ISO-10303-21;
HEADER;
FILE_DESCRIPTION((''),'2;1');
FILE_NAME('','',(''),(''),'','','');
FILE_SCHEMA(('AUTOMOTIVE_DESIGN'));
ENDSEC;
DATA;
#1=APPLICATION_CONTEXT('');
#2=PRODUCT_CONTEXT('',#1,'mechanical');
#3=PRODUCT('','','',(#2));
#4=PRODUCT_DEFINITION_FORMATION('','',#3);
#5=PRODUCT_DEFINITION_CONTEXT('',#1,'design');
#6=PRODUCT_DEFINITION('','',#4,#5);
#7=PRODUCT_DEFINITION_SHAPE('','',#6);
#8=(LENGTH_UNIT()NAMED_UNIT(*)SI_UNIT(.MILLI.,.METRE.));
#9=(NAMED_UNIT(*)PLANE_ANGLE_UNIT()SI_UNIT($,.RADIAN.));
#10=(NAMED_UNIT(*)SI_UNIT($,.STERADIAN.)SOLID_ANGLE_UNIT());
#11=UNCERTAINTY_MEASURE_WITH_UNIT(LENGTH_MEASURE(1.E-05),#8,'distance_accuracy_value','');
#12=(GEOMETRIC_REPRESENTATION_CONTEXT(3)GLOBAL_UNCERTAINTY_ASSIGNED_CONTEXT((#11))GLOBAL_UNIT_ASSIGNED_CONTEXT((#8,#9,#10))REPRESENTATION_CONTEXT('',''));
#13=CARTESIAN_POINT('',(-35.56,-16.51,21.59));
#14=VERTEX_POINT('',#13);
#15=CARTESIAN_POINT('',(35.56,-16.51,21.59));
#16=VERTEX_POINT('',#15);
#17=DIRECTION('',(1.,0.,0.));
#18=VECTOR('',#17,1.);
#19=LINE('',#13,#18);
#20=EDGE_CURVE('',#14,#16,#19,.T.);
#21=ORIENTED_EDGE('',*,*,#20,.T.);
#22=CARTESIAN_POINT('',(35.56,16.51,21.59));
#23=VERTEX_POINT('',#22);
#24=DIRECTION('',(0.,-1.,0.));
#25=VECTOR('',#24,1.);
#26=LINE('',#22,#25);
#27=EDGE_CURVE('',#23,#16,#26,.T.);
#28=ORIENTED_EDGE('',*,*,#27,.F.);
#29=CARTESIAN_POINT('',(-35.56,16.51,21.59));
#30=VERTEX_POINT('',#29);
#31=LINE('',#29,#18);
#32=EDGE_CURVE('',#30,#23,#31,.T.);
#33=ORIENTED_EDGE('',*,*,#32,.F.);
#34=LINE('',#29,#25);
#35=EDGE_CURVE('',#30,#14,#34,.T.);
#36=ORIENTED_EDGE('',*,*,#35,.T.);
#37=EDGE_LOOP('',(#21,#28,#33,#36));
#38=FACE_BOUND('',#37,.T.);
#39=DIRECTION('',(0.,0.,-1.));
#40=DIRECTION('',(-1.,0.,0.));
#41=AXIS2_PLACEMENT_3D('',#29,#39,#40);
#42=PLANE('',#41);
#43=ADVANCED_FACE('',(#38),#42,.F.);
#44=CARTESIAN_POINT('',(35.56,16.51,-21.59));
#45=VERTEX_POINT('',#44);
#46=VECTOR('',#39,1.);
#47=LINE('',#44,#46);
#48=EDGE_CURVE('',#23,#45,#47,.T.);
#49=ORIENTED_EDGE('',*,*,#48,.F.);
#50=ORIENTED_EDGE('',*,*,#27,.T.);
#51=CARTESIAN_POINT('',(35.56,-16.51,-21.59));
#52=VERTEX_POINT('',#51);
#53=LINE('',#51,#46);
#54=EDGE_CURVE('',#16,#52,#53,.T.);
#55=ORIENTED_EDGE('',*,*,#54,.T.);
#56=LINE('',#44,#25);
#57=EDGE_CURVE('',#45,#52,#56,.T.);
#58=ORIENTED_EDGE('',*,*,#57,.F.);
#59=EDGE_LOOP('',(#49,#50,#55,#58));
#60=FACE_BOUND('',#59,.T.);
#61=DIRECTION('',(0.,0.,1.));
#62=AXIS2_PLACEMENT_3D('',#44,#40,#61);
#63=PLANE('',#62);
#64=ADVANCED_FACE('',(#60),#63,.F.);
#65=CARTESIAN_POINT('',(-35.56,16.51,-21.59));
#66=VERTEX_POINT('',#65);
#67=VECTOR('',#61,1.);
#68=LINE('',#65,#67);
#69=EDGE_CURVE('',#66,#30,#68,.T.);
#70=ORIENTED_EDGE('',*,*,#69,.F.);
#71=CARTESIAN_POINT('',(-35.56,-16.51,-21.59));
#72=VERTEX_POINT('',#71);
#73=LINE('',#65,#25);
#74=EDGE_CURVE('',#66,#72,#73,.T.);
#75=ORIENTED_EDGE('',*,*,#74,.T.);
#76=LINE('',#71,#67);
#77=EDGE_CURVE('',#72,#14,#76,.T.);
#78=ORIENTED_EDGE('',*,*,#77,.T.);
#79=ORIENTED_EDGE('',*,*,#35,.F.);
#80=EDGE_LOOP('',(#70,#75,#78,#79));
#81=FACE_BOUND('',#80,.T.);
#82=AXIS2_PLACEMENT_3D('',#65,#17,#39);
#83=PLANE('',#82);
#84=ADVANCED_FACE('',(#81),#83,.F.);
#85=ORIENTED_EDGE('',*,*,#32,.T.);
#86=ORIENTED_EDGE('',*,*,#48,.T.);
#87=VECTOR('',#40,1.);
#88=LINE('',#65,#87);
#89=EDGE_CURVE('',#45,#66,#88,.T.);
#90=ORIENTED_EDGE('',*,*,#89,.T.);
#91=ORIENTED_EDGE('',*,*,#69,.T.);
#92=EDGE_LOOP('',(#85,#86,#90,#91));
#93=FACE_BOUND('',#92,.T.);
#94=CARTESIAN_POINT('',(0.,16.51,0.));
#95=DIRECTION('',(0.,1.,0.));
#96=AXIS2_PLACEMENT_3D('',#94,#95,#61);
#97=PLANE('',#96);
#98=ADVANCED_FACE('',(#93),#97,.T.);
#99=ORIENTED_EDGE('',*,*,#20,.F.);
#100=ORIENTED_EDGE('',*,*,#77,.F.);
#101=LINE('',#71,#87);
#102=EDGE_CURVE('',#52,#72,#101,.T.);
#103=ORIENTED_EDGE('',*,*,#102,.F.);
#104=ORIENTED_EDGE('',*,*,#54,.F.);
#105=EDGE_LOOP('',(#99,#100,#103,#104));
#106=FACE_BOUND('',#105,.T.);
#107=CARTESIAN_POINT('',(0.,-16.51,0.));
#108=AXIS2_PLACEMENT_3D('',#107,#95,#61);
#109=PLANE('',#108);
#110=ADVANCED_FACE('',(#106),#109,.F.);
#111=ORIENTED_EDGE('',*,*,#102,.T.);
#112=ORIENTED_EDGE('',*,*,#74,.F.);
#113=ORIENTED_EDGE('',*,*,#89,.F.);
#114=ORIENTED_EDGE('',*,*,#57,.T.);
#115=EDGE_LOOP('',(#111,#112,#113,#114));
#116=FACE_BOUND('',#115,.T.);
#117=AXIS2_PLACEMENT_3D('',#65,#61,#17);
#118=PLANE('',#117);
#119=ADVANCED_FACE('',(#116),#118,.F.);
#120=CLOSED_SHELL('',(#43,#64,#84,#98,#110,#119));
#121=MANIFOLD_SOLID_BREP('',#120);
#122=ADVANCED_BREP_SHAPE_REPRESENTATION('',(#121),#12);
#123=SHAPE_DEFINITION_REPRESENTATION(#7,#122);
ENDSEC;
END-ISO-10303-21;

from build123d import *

# Parameters (mm, degrees)
SKETCH1_W           = 71.12
SKETCH1_H           = 43.18
BOSS_EXTRUDE1_DEPTH = 16.51


with BuildPart() as part:
    # Sketch1 → Boss-Extrude1 (new body, symmetric)
    with BuildSketch(Plane(origin=(0, 0, 0), x_dir=(1, 0, 0), z_dir=(0, 1, 0))):
        Rectangle(SKETCH1_W, SKETCH1_H)
    extrude(amount=BOSS_EXTRUDE1_DEPTH, both=True)


solid = part.part
